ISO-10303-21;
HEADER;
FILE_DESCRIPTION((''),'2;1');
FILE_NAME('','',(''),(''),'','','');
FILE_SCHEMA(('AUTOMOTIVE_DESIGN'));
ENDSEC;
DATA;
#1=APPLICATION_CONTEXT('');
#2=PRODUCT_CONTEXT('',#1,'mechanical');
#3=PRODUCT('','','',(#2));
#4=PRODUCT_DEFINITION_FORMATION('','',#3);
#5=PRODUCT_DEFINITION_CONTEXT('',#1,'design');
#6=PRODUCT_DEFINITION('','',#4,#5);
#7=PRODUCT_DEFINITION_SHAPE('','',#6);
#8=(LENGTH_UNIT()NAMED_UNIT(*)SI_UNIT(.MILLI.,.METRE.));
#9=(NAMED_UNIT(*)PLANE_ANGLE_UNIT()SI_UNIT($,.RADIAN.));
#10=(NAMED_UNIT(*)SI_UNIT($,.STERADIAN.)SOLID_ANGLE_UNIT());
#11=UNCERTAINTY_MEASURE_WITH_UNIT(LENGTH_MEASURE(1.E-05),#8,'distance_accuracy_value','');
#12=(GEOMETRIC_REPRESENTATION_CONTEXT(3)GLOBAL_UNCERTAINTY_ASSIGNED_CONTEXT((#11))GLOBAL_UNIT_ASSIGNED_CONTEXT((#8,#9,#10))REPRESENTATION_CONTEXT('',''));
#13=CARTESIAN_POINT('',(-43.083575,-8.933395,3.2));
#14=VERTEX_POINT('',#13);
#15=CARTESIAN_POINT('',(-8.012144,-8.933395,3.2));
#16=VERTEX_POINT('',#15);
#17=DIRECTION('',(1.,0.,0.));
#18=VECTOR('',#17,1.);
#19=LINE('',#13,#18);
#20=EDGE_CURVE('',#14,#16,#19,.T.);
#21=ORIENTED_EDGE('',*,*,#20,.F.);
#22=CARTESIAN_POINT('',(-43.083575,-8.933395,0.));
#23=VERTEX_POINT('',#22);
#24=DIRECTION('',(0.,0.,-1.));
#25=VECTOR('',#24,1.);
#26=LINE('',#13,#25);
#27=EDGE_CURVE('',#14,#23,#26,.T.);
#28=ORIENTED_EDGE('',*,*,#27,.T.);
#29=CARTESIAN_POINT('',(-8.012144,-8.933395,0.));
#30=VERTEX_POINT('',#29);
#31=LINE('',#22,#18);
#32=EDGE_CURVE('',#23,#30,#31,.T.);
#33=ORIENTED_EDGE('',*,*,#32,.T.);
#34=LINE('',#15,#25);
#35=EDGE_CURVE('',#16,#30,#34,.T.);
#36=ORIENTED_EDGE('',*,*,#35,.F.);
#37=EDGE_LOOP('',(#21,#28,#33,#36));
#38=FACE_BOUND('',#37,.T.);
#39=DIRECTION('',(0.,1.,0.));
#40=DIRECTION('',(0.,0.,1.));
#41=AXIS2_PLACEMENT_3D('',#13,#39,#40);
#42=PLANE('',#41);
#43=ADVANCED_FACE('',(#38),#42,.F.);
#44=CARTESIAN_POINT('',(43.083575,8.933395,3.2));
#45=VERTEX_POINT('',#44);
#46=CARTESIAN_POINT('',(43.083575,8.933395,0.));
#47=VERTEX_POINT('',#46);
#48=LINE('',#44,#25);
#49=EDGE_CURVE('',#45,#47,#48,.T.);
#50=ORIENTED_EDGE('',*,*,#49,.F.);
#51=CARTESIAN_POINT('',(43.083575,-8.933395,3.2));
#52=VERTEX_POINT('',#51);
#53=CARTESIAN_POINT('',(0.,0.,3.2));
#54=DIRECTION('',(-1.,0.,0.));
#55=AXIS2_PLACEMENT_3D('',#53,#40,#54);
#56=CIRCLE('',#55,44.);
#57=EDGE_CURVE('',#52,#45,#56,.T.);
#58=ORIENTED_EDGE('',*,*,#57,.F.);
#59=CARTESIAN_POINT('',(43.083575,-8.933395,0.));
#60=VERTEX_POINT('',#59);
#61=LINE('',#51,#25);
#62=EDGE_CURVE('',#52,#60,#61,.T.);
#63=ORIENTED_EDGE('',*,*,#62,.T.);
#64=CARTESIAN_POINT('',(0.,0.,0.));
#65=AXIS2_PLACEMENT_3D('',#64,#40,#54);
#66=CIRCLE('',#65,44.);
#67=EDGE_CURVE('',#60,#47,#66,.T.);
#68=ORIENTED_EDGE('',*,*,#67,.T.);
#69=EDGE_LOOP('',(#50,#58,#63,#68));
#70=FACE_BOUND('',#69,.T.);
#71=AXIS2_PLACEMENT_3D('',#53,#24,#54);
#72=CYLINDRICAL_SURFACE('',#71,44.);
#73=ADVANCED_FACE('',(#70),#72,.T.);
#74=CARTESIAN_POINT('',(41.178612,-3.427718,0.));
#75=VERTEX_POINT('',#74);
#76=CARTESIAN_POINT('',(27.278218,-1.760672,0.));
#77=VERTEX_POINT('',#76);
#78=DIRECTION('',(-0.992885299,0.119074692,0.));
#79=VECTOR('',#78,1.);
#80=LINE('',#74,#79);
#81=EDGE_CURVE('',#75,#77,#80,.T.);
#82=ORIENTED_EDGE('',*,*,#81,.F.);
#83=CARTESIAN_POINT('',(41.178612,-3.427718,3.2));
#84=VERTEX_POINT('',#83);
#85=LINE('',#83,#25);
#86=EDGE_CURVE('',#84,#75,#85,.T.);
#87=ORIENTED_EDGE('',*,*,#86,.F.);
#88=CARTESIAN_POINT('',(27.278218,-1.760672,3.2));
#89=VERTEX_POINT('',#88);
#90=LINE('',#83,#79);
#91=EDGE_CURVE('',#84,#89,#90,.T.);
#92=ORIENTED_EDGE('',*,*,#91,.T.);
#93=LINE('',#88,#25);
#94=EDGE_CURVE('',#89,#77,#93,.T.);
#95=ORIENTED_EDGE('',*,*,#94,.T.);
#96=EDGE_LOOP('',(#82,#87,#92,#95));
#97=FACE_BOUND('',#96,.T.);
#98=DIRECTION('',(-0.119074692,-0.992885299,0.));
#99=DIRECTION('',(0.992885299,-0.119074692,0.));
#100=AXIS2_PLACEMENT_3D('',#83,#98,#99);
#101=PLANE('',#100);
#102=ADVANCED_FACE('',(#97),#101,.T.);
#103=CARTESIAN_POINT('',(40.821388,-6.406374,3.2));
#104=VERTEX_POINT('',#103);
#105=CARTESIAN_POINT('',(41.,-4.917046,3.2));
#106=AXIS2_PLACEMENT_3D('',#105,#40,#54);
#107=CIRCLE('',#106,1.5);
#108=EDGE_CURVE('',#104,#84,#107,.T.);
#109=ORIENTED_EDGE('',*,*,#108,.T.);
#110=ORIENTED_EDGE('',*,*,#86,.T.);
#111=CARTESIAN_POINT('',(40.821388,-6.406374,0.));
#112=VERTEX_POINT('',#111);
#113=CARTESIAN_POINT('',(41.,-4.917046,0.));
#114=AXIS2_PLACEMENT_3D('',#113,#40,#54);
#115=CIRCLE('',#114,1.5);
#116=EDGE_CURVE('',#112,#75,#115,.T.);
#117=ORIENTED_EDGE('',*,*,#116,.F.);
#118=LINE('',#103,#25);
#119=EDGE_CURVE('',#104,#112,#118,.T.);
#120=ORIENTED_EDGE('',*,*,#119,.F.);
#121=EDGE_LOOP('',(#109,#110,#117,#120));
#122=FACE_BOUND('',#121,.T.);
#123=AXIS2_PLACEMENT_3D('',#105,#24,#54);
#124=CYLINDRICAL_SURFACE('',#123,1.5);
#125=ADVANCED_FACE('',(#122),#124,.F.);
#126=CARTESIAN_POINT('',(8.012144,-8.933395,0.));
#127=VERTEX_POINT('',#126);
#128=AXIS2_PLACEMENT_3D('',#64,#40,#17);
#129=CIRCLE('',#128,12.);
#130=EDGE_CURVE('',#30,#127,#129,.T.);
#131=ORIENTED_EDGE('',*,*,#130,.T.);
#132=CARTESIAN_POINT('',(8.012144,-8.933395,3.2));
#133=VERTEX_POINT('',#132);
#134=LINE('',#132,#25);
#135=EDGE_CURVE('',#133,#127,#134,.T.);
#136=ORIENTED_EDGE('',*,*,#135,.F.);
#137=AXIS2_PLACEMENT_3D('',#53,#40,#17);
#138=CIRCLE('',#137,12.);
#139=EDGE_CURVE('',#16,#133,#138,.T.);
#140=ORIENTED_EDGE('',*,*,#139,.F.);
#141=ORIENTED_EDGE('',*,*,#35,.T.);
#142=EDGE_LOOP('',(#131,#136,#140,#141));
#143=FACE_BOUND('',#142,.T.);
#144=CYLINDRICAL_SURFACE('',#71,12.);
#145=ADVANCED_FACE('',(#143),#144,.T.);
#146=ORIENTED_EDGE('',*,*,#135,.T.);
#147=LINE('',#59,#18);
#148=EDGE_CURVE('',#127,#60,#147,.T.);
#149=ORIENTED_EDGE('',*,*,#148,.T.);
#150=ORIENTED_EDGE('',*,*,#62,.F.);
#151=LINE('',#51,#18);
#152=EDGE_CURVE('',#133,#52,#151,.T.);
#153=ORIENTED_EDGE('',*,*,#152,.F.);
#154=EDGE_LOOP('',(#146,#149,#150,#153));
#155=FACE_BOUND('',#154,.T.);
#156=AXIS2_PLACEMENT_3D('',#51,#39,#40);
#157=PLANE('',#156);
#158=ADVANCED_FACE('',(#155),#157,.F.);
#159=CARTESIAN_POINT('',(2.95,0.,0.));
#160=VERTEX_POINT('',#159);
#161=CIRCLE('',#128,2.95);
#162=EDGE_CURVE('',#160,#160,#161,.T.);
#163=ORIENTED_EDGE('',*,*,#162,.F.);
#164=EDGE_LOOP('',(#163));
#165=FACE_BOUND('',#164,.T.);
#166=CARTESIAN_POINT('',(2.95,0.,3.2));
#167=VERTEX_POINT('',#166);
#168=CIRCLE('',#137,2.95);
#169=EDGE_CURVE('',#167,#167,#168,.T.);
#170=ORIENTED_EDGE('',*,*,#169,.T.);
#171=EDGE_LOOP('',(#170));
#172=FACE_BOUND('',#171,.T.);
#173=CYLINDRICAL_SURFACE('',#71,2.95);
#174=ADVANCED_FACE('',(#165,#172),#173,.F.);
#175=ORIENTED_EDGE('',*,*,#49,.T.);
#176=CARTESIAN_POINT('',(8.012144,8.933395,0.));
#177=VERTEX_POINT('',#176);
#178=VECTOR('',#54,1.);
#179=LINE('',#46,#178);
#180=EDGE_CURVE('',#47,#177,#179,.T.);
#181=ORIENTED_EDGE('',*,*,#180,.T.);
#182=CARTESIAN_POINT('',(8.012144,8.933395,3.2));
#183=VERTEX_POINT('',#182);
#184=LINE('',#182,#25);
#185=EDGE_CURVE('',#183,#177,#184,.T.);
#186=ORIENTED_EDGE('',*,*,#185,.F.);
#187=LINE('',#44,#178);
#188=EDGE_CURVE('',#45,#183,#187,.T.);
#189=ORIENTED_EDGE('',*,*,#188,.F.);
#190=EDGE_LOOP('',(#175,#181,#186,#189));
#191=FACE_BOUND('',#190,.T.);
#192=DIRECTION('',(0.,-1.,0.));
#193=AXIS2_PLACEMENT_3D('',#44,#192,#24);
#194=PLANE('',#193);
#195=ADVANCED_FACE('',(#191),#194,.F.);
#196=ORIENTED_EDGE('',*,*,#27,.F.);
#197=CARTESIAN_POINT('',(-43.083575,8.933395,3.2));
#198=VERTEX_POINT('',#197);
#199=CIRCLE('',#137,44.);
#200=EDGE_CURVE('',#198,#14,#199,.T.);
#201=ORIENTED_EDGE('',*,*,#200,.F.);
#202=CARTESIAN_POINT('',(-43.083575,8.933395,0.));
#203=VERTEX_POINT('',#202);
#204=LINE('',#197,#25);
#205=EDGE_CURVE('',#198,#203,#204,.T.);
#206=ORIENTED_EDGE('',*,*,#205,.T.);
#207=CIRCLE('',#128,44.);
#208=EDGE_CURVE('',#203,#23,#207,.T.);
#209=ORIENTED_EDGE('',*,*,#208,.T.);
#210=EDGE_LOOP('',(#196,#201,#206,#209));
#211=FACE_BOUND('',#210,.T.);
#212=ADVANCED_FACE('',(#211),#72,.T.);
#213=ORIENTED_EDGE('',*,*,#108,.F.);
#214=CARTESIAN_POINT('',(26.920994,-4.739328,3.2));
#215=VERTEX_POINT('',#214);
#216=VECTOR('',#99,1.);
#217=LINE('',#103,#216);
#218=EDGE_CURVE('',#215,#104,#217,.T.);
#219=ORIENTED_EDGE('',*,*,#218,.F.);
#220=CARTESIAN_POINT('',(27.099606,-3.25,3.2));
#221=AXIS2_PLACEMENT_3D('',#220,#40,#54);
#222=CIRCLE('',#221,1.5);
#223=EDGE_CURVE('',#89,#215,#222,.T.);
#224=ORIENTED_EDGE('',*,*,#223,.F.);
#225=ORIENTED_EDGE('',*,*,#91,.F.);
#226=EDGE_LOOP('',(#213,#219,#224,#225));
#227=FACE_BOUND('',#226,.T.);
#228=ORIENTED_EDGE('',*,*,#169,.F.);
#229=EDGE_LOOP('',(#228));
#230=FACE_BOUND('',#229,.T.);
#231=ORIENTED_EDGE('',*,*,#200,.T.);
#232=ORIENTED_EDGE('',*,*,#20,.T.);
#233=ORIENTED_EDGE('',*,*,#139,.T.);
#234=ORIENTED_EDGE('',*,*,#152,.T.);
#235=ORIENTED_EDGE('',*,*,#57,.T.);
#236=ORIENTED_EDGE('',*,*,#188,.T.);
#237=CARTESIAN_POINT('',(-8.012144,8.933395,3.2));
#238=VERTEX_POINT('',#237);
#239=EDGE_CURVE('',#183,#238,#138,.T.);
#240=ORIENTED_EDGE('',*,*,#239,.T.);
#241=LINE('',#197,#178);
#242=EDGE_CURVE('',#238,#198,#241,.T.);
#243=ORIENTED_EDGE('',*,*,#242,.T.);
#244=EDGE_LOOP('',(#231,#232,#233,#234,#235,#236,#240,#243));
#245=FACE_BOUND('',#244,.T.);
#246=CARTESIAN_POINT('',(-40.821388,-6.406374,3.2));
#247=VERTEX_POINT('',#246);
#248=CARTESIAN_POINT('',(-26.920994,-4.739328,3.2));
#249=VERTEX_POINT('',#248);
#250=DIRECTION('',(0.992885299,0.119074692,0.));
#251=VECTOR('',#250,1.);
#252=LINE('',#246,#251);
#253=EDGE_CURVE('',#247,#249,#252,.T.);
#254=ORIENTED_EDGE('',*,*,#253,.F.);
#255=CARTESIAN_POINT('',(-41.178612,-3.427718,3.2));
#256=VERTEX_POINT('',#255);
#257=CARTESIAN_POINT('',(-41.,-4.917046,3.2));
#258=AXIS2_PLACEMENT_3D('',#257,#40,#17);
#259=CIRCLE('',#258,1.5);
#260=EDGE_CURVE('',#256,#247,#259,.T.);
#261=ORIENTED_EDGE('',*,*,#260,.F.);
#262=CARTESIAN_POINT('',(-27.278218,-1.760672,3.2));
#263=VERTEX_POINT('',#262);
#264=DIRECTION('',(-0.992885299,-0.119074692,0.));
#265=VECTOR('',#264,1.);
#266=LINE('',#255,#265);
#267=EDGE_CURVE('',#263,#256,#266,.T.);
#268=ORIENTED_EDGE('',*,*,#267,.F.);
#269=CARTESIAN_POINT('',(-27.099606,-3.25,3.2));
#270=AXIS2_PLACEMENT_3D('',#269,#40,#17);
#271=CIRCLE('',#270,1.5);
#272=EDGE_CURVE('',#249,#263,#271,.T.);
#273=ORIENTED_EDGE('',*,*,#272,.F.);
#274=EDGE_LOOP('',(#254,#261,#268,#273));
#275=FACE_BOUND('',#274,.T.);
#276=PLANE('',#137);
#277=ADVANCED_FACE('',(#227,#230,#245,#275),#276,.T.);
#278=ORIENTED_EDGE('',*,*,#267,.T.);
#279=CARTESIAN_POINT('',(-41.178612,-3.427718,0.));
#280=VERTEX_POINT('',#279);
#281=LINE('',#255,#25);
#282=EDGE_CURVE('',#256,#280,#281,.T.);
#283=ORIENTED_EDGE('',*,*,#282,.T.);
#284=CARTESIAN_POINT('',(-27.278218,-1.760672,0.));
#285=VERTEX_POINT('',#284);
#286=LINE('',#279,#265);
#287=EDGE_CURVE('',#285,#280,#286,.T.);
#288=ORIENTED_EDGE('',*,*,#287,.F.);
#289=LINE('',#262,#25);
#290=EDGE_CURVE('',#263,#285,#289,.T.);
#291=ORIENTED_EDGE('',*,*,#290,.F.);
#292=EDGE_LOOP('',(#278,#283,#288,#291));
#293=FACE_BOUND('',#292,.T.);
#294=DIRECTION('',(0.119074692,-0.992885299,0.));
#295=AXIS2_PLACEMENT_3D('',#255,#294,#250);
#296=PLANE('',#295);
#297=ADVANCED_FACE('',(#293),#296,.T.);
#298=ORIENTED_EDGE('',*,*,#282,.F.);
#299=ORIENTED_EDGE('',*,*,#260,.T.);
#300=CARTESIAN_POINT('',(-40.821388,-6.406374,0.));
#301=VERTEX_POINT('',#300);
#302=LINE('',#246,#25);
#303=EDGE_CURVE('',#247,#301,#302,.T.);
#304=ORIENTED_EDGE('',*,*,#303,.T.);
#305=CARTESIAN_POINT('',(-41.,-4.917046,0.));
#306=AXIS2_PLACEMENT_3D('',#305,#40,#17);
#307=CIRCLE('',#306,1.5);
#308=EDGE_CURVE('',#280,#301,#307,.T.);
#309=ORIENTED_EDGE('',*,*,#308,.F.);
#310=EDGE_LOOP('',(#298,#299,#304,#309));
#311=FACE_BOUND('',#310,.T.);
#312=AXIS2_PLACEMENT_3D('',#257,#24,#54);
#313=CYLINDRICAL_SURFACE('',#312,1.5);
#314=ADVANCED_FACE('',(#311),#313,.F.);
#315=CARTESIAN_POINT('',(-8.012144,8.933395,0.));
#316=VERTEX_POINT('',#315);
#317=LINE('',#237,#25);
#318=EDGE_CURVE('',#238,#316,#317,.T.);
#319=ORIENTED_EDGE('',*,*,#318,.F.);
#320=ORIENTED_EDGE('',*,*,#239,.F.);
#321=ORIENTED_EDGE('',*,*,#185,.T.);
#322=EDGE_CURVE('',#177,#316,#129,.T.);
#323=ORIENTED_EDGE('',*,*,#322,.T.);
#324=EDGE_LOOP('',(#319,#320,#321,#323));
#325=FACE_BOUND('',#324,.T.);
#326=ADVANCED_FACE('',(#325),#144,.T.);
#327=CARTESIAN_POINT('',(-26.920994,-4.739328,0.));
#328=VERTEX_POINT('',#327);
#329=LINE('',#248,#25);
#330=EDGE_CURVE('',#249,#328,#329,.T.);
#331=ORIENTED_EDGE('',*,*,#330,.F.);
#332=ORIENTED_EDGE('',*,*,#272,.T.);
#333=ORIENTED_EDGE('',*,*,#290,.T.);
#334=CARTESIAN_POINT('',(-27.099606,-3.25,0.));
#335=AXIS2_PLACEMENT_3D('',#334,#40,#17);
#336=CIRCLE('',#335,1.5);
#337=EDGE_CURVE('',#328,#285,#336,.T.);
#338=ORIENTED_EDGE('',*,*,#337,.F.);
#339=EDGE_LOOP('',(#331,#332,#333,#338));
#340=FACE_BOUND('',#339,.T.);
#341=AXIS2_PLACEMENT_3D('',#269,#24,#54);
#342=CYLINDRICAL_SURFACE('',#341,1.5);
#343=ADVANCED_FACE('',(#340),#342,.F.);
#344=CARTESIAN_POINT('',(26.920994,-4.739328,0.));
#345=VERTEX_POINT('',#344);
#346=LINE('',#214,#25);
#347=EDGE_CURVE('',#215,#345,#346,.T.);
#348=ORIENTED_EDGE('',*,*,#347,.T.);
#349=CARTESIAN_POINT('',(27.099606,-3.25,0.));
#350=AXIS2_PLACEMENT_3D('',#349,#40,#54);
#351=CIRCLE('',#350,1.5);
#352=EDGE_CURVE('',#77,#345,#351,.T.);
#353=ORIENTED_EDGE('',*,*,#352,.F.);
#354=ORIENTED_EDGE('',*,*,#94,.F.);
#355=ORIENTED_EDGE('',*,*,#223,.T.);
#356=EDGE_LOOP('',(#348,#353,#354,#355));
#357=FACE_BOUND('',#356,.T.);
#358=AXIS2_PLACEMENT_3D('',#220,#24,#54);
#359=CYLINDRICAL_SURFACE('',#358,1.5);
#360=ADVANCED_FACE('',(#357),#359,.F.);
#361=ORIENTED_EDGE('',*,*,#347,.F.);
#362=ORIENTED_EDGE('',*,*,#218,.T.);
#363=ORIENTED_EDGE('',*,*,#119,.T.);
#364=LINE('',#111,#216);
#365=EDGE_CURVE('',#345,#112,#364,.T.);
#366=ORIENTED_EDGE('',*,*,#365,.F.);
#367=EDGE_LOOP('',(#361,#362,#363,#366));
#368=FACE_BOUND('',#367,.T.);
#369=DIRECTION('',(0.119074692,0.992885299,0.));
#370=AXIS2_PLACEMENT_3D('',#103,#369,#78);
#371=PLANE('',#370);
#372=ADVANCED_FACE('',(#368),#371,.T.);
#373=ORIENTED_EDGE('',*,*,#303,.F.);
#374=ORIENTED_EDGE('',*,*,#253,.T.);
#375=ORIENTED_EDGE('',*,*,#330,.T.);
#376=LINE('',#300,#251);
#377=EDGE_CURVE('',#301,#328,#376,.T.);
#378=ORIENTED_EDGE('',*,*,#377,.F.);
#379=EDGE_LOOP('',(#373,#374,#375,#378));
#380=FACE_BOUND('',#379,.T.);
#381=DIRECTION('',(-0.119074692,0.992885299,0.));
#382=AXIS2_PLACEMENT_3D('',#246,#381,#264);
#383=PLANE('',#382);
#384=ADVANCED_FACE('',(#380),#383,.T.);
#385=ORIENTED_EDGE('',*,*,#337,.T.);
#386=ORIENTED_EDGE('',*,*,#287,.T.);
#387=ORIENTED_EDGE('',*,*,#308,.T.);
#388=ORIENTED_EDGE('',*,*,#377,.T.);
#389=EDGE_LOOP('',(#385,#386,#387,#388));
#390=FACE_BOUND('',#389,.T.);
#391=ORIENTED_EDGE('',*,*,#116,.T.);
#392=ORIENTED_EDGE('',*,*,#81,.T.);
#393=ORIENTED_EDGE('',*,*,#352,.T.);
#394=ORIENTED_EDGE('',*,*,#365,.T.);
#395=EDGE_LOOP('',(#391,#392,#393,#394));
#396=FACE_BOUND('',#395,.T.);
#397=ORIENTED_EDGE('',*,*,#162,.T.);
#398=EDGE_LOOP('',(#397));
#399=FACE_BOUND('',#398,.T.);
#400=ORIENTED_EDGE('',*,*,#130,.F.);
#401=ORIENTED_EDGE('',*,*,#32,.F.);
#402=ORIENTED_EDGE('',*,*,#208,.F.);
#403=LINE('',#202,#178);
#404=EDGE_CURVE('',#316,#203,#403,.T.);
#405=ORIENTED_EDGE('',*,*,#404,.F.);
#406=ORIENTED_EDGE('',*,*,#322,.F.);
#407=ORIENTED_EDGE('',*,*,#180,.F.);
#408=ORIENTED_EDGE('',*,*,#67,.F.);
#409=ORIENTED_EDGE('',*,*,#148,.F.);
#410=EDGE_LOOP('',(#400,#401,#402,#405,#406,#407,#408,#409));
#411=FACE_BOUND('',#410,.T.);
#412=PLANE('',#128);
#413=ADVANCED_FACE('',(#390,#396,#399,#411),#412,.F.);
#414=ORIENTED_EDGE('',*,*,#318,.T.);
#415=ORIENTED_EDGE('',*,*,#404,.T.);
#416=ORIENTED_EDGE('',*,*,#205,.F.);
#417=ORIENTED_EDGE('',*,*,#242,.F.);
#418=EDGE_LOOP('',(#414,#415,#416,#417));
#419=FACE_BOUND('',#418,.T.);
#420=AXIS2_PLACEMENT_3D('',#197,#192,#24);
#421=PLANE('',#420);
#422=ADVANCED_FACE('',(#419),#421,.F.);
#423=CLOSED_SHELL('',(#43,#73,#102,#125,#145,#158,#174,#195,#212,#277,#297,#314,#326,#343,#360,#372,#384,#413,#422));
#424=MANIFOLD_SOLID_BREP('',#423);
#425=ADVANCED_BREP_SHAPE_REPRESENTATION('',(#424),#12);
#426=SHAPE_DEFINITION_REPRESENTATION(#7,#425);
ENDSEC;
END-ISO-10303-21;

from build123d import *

# Parameters (mm, degrees)
SKETCH_1_R      = 2.95
EXTRUDE_1_DEPTH = 3.2


with BuildPart() as part:
    # Эскиз1 → Бобышка-Вытянуть1 (new body)
    with BuildSketch(Plane.XY):
        with BuildLine():
            Line((-43.083575227, 8.933394968), (-8.012144179, 8.933394968))
            ThreePointArc((-8.012144179, 8.933394968), (0, 12), (8.012144179, 8.933394968))
            Line((8.012144179, 8.933394968), (43.083575227, 8.933394968))
            ThreePointArc((43.083575227, 8.933394968), (44, 0), (43.083575227, -8.933394968))
            Line((43.083575227, -8.933394968), (8.012144179, -8.933394968))
            ThreePointArc((8.012144179, -8.933394968), (0, -12), (-8.012144179, -8.933394968))
            Line((-8.012144179, -8.933394968), (-43.083575227, -8.933394968))
            ThreePointArc((-43.083575227, -8.933394968), (-44, 0), (-43.083575227, 8.933394968))
        make_face()
        Circle(SKETCH_1_R, mode=Mode.SUBTRACT)
        with BuildLine():
            Line((-41.178612038, -3.427717743), (-27.278217848, -1.760672051))
            ThreePointArc((-27.278217848, -1.760672051), (-25.61027786, -3.071387962), (-26.920993771, -4.739327949))
            Line((-26.920993771, -4.739327949), (-40.821387962, -6.406373641))
            ThreePointArc((-40.821387962, -6.406373641), (-42.489327949, -5.09565773), (-41.178612038, -3.427717743))
        make_face(mode=Mode.SUBTRACT)
        with BuildLine():
            Line((40.821387962, -6.406373641), (26.920993771, -4.739327949))
            ThreePointArc((26.920993771, -4.739327949), (25.61027786, -3.071387962), (27.278217848, -1.760672051))
            Line((27.278217848, -1.760672051), (41.178612038, -3.427717743))
            ThreePointArc((41.178612038, -3.427717743), (42.489327949, -5.09565773), (40.821387962, -6.406373641))
        make_face(mode=Mode.SUBTRACT)
    extrude(amount=EXTRUDE_1_DEPTH)


solid = part.part
